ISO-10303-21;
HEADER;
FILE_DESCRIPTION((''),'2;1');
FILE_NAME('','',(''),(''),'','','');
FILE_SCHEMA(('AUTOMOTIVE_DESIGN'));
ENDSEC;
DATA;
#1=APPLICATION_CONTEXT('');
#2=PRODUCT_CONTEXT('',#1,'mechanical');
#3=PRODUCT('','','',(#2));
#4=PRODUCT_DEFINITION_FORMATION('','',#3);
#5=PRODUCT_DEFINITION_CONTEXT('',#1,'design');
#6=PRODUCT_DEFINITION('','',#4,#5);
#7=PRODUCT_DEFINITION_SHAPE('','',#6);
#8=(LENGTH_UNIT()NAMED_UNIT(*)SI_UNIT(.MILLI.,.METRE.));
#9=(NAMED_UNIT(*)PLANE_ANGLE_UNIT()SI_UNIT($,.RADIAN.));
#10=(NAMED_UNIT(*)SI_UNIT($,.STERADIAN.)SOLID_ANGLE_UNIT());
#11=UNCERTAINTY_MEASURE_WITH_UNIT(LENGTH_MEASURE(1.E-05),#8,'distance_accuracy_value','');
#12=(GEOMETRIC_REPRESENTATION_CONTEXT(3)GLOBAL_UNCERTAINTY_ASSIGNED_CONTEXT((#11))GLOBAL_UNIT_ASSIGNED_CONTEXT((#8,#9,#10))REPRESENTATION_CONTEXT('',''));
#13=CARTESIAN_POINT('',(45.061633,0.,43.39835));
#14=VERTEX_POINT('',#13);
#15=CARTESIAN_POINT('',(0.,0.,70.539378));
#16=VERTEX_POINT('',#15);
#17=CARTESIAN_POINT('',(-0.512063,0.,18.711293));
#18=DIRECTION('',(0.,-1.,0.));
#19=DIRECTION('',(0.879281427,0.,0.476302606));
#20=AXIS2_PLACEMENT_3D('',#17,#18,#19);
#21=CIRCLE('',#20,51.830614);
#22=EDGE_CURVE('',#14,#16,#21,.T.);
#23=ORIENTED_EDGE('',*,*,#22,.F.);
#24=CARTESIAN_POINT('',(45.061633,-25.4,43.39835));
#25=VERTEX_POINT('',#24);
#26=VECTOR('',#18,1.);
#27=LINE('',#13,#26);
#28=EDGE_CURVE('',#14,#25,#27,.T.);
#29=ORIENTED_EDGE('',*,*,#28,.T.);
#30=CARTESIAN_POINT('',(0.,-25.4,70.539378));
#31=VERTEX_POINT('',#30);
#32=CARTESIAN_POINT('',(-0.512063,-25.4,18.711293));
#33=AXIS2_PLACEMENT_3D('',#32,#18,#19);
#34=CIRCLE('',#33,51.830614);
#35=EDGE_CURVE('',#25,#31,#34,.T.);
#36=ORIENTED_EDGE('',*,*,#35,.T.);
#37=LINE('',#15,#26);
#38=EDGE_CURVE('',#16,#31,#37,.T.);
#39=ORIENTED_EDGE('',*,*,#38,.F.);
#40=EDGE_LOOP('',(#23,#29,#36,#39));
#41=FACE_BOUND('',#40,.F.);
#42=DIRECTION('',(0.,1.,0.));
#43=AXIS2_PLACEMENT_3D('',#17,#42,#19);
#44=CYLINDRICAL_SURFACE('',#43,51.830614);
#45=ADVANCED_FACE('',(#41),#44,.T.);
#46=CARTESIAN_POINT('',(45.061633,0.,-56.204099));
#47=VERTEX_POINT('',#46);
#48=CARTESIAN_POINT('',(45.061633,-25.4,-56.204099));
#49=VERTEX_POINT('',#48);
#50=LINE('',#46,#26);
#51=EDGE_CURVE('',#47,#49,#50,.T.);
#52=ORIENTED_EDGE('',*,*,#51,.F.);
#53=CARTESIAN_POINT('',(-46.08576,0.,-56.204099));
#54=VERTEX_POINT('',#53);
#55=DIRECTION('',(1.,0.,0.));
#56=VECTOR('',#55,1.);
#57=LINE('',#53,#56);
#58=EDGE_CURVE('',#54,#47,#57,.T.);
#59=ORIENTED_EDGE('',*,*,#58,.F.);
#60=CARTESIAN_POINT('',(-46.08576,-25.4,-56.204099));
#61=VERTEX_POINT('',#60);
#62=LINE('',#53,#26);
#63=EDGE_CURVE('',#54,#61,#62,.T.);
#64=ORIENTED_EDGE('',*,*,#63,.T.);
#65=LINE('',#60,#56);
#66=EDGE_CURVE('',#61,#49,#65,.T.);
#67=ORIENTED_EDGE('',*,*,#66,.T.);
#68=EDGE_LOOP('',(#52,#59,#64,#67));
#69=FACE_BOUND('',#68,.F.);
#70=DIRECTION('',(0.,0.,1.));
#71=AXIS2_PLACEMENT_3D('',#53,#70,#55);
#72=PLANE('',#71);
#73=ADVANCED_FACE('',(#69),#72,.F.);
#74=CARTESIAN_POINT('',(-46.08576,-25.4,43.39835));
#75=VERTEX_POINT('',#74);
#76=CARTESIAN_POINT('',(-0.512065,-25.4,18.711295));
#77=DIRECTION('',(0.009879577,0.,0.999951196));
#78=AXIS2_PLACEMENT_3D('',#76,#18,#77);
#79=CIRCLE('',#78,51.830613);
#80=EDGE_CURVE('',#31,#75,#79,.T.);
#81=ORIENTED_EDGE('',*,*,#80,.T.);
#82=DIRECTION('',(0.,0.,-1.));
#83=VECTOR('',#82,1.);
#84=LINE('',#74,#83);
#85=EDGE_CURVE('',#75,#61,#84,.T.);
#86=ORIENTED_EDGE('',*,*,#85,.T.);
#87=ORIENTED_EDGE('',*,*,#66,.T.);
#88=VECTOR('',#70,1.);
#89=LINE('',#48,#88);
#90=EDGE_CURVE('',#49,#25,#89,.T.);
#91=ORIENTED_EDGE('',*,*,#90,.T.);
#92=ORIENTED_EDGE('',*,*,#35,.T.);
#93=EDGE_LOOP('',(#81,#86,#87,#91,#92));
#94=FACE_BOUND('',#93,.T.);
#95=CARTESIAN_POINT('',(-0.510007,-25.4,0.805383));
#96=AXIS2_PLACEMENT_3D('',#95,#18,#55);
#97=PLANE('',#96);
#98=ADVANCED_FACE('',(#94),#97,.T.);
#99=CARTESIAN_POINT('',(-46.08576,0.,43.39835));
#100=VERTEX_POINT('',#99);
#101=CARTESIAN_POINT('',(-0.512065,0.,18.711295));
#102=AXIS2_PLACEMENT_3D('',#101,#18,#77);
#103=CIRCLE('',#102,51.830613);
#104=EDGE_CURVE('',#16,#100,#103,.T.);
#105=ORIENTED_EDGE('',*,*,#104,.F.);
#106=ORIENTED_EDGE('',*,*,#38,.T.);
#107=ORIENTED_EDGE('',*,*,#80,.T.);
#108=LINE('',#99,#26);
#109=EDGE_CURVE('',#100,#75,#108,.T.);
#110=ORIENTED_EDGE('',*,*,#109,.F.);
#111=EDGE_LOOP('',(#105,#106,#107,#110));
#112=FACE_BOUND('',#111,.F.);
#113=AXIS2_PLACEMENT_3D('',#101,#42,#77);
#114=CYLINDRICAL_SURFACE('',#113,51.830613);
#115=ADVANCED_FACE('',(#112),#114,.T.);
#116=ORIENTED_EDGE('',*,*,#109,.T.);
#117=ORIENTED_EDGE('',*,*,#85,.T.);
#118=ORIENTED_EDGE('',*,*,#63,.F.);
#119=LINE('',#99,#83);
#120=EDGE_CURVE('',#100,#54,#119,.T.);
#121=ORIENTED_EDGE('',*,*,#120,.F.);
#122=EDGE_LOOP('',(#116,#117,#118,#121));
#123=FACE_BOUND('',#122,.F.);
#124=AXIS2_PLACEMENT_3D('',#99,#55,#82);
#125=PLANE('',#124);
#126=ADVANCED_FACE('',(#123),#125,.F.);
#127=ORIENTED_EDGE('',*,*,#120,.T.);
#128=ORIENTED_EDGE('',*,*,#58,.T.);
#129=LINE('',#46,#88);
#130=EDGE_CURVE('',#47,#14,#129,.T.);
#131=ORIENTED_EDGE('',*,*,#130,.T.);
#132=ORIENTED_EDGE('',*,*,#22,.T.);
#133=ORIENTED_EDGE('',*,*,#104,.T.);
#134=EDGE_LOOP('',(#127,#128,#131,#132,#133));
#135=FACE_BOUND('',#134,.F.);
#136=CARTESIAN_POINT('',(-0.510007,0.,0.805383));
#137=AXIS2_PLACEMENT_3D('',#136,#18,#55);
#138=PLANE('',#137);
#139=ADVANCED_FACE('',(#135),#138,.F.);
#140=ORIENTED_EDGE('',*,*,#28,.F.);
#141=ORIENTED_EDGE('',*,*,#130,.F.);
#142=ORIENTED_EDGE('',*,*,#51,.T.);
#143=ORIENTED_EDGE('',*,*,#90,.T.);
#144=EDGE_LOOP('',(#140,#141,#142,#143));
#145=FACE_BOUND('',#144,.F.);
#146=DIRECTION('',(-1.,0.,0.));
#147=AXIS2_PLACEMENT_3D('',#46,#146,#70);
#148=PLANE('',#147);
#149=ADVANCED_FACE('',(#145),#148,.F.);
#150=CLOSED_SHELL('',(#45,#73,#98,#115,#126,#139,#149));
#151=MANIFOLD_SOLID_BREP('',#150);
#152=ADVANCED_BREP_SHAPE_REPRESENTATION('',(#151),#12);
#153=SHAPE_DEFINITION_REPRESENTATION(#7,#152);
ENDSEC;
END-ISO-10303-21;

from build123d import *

# Parameters (mm, degrees)
F1_DEPTH = 25.4


with BuildPart() as f1:
    # F0 (on Front) → F1 (new body)
    with BuildSketch(Plane.XZ):
        with BuildLine():
            Line((-46.08576, 43.39835), (-46.08576, -56.204099))
            Line((-46.08576, -56.204099), (45.061633, -56.204099))
            Line((45.061633, -56.204099), (45.061633, 43.39835))
            ThreePointArc((45.061633, 43.39835), (26.22991, 63.110386), (0, 70.539378))
            ThreePointArc((0, 70.539378), (-26.814089, 63.372418), (-46.08576, 43.39835))
        make_face()
    extrude(amount=F1_DEPTH)


solid = f1.part
